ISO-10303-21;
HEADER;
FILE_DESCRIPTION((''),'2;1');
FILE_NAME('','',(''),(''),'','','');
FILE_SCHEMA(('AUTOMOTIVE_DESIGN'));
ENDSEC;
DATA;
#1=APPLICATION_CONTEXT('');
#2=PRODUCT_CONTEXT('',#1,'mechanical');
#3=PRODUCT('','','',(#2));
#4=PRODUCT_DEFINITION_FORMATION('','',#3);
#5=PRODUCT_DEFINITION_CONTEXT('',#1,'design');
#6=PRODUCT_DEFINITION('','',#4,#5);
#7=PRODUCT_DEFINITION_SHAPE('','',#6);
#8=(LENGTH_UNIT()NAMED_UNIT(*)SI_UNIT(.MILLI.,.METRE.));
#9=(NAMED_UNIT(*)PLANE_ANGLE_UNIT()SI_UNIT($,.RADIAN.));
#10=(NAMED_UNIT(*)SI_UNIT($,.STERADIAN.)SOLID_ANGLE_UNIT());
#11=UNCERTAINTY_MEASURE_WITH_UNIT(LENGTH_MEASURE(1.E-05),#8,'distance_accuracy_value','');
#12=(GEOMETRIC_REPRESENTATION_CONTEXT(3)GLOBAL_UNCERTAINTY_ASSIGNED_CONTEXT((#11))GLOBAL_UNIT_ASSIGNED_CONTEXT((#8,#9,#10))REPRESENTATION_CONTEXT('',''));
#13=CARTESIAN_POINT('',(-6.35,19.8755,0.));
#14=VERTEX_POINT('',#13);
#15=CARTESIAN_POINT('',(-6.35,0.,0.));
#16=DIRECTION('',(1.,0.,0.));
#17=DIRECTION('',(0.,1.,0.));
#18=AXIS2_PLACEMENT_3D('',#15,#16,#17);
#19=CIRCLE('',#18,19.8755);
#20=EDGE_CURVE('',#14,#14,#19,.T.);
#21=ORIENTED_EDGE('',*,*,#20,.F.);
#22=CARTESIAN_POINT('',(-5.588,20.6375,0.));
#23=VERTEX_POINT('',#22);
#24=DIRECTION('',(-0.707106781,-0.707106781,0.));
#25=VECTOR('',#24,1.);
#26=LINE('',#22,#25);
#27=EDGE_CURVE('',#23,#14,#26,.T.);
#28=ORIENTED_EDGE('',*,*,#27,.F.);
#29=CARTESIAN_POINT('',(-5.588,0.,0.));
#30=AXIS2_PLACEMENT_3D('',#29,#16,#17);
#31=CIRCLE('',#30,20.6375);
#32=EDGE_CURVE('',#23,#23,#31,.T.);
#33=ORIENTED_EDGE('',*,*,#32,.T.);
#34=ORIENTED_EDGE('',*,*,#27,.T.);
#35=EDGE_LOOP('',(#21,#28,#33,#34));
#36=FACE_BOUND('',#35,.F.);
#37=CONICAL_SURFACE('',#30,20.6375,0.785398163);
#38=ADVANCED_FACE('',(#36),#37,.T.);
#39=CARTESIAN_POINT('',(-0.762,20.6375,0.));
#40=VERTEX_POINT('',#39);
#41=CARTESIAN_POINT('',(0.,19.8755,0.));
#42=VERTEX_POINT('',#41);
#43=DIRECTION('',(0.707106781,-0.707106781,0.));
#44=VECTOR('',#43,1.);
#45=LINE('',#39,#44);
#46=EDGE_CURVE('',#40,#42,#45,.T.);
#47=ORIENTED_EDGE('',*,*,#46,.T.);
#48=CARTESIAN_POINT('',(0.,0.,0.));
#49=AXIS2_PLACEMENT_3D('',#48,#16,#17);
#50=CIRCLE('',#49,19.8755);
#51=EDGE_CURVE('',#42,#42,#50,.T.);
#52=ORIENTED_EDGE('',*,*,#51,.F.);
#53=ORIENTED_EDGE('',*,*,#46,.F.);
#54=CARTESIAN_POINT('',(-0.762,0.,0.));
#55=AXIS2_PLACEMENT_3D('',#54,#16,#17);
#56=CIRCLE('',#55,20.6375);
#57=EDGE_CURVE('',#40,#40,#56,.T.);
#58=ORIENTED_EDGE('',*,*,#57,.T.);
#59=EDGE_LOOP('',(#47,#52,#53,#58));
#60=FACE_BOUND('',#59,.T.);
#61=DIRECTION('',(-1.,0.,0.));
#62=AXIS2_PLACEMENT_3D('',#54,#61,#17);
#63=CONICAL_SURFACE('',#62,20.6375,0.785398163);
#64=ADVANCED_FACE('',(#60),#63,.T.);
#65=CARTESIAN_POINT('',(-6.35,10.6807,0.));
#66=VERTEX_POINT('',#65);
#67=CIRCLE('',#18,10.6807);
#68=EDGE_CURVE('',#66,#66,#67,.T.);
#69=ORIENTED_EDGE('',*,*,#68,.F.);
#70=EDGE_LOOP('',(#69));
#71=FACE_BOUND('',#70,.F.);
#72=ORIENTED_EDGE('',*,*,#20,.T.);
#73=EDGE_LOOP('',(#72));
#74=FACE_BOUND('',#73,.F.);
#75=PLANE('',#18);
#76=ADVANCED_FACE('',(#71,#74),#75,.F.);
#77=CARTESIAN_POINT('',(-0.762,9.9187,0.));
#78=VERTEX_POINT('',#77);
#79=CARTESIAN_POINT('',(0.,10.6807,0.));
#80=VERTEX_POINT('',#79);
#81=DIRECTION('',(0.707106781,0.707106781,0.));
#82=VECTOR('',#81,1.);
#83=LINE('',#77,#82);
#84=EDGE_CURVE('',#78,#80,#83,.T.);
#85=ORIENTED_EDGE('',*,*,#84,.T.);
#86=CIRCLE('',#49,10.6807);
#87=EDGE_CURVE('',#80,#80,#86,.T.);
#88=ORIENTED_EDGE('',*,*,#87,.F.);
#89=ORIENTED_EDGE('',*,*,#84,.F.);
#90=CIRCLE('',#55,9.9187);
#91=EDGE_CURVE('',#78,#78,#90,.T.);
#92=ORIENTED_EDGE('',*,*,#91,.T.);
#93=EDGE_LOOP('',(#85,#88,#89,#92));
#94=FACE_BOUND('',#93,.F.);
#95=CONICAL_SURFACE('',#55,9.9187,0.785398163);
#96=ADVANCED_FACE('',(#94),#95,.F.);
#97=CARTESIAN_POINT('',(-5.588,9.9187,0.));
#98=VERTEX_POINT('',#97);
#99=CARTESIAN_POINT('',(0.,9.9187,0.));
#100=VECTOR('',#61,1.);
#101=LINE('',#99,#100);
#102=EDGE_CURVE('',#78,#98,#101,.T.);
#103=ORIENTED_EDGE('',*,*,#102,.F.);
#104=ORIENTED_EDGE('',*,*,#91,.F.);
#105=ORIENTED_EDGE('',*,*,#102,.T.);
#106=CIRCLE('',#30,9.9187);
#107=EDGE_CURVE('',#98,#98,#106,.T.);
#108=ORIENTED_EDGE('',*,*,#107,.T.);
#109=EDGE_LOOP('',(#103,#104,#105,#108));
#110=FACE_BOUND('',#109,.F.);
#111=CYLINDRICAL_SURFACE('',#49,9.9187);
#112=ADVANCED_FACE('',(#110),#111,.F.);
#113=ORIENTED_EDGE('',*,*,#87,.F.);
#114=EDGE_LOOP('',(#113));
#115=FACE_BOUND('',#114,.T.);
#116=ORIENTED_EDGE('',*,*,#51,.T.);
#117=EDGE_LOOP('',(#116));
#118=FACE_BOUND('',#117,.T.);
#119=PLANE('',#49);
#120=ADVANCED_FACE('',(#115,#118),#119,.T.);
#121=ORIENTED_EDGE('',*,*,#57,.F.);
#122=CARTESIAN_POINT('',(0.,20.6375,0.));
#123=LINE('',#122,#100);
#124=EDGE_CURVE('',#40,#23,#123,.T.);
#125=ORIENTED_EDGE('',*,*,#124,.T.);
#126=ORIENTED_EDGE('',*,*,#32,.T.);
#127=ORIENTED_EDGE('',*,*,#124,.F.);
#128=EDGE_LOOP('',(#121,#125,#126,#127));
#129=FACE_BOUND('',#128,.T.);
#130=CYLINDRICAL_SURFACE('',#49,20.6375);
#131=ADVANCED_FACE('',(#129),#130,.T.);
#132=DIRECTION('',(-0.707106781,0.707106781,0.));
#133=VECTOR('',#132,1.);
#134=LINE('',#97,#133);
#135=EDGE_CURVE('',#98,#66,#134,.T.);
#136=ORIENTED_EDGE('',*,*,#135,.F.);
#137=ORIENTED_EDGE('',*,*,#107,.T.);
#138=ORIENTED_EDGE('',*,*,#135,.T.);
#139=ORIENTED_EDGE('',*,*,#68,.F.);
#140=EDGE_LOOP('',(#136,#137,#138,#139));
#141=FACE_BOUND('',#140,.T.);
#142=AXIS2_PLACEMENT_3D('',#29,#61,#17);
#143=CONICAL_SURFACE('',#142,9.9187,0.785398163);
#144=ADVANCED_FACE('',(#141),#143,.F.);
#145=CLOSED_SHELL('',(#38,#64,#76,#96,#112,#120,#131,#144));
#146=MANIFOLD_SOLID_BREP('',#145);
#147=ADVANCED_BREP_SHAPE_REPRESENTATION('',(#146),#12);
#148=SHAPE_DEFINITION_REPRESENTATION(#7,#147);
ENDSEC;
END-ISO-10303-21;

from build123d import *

# Parameters (mm, degrees)
F0_R     = 20.6375
F0_R_2   = 9.9187
F1_DEPTH = 6.35
F2_SIZE  = 0.762


with BuildPart() as f1:
    # F0 (on Right) → F1 (new body)
    with BuildSketch(Plane.YZ):
        Circle(F0_R)
        Circle(F0_R_2, mode=Mode.SUBTRACT)
    extrude(amount=-F1_DEPTH)

    # F2
    f2_edges = [f1.edges().sort_by_distance(p)[0] for p in [
        (0, -20.6375, 0),
        (-6.35, -20.6375, 0),
        (0, -9.9187, 0),
        (-6.35, -9.9187, 0),
    ]]
    chamfer(f2_edges, length=F2_SIZE)


solid = f1.part
